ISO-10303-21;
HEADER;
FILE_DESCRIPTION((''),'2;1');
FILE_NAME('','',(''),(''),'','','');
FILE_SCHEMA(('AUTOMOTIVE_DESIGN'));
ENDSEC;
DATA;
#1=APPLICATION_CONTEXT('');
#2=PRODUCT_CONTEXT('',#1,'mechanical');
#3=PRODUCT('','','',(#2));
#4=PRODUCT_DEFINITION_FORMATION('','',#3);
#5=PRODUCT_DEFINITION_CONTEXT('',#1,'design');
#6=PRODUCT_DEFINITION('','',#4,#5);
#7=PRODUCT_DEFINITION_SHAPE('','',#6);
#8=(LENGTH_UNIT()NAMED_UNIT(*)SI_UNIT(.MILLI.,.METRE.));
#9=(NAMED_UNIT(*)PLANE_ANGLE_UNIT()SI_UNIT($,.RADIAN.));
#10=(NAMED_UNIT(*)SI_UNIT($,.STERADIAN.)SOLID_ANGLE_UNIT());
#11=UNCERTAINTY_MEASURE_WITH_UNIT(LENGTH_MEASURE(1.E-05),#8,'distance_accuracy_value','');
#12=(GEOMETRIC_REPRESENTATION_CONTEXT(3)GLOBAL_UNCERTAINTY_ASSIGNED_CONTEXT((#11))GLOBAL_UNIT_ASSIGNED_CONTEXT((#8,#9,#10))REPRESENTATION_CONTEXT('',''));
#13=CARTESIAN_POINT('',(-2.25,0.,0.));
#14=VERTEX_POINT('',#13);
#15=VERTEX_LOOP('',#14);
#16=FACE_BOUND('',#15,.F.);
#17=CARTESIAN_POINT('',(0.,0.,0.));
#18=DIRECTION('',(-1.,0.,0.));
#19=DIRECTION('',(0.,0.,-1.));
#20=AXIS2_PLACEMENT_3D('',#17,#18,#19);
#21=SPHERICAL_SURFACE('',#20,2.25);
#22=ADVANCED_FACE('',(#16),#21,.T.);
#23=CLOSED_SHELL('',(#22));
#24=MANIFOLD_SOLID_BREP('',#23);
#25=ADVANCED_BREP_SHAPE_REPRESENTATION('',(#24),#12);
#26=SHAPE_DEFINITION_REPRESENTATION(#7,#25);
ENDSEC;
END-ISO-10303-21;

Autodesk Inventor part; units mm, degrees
ref_plane "YZ Plane" through (0, 0, 0) normal (1, 0, 0) x (0, 1, 0)
ref_plane "XZ Plane" through (0, 0, 0) normal (0, 1, 0) x (-1, 0, 0)
ref_plane "XY Plane" through (0, 0, 0) normal (0, 0, 1) x (1, 0, 0)
sketch "Sketch1" plane through (0, 0, 0) normal (0, 1, 0) x (-1, 0, 0)
  circle A0 centre (0, 0) radius 2.25
  line L0 (2.25, 0) -> (-2.25, 0)
  dimension "d0" = 4.5
revolve "Revolution1" add sketch "Sketch1" angle 360 about axis through (-2.25, 0, 0) along (1, 0, 0) picked at (-0.0904, -0.7445) contours A0 L0
properties part number "4.5mm_SteelBall"
